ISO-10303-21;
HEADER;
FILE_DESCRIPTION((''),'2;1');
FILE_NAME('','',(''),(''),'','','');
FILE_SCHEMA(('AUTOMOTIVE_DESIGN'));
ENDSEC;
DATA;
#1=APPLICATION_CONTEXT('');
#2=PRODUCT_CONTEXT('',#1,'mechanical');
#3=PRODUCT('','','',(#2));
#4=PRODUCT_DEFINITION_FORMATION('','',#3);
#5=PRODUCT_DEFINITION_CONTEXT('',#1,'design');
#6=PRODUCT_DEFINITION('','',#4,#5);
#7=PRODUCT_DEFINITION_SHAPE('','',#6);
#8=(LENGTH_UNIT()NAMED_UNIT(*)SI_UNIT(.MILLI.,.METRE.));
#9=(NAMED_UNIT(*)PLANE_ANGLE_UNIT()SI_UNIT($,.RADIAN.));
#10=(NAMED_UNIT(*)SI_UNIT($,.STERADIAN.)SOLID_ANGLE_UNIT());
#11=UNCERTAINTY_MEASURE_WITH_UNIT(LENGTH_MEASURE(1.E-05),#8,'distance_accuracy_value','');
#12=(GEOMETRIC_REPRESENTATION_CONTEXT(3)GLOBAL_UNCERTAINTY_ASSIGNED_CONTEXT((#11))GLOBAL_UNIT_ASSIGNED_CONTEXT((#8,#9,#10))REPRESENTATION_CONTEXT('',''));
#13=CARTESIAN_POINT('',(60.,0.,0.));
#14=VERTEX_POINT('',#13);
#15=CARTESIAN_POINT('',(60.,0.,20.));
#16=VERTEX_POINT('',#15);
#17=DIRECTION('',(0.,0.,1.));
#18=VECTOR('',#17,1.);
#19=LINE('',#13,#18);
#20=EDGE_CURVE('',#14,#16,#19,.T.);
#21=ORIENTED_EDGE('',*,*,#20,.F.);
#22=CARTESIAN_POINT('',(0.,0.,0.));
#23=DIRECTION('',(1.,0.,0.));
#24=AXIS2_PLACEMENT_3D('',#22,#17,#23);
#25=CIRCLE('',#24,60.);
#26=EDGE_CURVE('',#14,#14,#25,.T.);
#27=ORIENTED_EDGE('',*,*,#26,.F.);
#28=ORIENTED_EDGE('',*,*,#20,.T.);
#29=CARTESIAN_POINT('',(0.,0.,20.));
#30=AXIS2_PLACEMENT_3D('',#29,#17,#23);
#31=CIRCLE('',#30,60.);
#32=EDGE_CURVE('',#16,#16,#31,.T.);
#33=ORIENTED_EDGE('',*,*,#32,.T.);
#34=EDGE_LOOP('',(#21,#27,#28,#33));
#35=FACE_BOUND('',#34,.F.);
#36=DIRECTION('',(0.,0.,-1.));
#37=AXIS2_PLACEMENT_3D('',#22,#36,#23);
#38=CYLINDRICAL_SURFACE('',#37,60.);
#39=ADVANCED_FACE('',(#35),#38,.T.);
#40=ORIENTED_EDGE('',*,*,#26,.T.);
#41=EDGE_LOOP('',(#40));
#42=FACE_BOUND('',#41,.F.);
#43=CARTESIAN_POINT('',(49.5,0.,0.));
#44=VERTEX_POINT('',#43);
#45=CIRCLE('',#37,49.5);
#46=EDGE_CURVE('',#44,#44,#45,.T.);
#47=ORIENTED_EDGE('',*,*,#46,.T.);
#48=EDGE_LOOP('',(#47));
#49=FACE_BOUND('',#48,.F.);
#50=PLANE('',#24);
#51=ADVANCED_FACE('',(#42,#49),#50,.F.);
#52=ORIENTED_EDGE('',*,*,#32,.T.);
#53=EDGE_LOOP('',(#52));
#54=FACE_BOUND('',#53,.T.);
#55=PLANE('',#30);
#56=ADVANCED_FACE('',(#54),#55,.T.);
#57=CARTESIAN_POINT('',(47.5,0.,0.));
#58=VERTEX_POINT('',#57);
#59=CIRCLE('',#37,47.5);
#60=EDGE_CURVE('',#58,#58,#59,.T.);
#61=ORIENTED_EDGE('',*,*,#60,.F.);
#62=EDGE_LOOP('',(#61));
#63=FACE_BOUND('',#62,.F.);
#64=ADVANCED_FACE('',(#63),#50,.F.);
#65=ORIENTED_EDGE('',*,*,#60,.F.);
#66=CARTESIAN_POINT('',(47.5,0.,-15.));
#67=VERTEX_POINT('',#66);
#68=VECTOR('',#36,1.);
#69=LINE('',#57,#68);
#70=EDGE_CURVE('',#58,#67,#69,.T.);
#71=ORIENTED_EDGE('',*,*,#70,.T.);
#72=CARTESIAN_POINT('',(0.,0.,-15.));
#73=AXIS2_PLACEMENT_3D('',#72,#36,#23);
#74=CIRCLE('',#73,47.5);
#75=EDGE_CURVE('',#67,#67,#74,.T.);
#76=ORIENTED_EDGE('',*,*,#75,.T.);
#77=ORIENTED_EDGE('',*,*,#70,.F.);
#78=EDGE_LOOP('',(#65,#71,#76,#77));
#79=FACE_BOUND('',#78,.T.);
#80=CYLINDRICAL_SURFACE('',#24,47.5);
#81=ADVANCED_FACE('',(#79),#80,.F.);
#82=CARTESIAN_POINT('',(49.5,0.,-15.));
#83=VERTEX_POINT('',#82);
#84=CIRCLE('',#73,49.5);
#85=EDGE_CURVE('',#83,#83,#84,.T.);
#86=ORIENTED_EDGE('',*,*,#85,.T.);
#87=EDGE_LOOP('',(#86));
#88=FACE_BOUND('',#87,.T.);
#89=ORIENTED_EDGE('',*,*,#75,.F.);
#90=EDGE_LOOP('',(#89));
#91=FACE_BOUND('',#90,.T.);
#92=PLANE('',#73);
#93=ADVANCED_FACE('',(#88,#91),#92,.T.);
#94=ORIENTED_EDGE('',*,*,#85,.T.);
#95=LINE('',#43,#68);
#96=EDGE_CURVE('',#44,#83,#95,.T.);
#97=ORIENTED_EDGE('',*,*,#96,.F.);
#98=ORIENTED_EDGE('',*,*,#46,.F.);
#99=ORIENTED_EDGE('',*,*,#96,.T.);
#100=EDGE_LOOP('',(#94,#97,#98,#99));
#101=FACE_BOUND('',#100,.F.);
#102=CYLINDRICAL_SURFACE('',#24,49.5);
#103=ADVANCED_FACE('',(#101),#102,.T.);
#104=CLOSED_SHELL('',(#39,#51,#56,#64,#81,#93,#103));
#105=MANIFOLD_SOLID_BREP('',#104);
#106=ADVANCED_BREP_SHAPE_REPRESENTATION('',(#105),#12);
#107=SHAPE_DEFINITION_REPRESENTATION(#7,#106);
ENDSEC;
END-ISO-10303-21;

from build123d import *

# Parameters (mm, degrees)
F0_R     = 60
F1_DEPTH = 20
F2_R     = 49.5
F2_R_2   = 47.5
F3_DEPTH = 15


with BuildPart() as f1:
    # F0 (on Top) → F1 (new body)
    with BuildSketch(Plane.XY):
        Circle(F0_R)
    extrude(amount=F1_DEPTH)

    # F2 (on face) → F3 (join)
    with BuildSketch(Plane(origin=(0, 0, 0), x_dir=(1, 0, 0), z_dir=(0, 0, -1))):
        Circle(F2_R)
        Circle(F2_R_2, mode=Mode.SUBTRACT)
    extrude(amount=F3_DEPTH)


solid = f1.part
